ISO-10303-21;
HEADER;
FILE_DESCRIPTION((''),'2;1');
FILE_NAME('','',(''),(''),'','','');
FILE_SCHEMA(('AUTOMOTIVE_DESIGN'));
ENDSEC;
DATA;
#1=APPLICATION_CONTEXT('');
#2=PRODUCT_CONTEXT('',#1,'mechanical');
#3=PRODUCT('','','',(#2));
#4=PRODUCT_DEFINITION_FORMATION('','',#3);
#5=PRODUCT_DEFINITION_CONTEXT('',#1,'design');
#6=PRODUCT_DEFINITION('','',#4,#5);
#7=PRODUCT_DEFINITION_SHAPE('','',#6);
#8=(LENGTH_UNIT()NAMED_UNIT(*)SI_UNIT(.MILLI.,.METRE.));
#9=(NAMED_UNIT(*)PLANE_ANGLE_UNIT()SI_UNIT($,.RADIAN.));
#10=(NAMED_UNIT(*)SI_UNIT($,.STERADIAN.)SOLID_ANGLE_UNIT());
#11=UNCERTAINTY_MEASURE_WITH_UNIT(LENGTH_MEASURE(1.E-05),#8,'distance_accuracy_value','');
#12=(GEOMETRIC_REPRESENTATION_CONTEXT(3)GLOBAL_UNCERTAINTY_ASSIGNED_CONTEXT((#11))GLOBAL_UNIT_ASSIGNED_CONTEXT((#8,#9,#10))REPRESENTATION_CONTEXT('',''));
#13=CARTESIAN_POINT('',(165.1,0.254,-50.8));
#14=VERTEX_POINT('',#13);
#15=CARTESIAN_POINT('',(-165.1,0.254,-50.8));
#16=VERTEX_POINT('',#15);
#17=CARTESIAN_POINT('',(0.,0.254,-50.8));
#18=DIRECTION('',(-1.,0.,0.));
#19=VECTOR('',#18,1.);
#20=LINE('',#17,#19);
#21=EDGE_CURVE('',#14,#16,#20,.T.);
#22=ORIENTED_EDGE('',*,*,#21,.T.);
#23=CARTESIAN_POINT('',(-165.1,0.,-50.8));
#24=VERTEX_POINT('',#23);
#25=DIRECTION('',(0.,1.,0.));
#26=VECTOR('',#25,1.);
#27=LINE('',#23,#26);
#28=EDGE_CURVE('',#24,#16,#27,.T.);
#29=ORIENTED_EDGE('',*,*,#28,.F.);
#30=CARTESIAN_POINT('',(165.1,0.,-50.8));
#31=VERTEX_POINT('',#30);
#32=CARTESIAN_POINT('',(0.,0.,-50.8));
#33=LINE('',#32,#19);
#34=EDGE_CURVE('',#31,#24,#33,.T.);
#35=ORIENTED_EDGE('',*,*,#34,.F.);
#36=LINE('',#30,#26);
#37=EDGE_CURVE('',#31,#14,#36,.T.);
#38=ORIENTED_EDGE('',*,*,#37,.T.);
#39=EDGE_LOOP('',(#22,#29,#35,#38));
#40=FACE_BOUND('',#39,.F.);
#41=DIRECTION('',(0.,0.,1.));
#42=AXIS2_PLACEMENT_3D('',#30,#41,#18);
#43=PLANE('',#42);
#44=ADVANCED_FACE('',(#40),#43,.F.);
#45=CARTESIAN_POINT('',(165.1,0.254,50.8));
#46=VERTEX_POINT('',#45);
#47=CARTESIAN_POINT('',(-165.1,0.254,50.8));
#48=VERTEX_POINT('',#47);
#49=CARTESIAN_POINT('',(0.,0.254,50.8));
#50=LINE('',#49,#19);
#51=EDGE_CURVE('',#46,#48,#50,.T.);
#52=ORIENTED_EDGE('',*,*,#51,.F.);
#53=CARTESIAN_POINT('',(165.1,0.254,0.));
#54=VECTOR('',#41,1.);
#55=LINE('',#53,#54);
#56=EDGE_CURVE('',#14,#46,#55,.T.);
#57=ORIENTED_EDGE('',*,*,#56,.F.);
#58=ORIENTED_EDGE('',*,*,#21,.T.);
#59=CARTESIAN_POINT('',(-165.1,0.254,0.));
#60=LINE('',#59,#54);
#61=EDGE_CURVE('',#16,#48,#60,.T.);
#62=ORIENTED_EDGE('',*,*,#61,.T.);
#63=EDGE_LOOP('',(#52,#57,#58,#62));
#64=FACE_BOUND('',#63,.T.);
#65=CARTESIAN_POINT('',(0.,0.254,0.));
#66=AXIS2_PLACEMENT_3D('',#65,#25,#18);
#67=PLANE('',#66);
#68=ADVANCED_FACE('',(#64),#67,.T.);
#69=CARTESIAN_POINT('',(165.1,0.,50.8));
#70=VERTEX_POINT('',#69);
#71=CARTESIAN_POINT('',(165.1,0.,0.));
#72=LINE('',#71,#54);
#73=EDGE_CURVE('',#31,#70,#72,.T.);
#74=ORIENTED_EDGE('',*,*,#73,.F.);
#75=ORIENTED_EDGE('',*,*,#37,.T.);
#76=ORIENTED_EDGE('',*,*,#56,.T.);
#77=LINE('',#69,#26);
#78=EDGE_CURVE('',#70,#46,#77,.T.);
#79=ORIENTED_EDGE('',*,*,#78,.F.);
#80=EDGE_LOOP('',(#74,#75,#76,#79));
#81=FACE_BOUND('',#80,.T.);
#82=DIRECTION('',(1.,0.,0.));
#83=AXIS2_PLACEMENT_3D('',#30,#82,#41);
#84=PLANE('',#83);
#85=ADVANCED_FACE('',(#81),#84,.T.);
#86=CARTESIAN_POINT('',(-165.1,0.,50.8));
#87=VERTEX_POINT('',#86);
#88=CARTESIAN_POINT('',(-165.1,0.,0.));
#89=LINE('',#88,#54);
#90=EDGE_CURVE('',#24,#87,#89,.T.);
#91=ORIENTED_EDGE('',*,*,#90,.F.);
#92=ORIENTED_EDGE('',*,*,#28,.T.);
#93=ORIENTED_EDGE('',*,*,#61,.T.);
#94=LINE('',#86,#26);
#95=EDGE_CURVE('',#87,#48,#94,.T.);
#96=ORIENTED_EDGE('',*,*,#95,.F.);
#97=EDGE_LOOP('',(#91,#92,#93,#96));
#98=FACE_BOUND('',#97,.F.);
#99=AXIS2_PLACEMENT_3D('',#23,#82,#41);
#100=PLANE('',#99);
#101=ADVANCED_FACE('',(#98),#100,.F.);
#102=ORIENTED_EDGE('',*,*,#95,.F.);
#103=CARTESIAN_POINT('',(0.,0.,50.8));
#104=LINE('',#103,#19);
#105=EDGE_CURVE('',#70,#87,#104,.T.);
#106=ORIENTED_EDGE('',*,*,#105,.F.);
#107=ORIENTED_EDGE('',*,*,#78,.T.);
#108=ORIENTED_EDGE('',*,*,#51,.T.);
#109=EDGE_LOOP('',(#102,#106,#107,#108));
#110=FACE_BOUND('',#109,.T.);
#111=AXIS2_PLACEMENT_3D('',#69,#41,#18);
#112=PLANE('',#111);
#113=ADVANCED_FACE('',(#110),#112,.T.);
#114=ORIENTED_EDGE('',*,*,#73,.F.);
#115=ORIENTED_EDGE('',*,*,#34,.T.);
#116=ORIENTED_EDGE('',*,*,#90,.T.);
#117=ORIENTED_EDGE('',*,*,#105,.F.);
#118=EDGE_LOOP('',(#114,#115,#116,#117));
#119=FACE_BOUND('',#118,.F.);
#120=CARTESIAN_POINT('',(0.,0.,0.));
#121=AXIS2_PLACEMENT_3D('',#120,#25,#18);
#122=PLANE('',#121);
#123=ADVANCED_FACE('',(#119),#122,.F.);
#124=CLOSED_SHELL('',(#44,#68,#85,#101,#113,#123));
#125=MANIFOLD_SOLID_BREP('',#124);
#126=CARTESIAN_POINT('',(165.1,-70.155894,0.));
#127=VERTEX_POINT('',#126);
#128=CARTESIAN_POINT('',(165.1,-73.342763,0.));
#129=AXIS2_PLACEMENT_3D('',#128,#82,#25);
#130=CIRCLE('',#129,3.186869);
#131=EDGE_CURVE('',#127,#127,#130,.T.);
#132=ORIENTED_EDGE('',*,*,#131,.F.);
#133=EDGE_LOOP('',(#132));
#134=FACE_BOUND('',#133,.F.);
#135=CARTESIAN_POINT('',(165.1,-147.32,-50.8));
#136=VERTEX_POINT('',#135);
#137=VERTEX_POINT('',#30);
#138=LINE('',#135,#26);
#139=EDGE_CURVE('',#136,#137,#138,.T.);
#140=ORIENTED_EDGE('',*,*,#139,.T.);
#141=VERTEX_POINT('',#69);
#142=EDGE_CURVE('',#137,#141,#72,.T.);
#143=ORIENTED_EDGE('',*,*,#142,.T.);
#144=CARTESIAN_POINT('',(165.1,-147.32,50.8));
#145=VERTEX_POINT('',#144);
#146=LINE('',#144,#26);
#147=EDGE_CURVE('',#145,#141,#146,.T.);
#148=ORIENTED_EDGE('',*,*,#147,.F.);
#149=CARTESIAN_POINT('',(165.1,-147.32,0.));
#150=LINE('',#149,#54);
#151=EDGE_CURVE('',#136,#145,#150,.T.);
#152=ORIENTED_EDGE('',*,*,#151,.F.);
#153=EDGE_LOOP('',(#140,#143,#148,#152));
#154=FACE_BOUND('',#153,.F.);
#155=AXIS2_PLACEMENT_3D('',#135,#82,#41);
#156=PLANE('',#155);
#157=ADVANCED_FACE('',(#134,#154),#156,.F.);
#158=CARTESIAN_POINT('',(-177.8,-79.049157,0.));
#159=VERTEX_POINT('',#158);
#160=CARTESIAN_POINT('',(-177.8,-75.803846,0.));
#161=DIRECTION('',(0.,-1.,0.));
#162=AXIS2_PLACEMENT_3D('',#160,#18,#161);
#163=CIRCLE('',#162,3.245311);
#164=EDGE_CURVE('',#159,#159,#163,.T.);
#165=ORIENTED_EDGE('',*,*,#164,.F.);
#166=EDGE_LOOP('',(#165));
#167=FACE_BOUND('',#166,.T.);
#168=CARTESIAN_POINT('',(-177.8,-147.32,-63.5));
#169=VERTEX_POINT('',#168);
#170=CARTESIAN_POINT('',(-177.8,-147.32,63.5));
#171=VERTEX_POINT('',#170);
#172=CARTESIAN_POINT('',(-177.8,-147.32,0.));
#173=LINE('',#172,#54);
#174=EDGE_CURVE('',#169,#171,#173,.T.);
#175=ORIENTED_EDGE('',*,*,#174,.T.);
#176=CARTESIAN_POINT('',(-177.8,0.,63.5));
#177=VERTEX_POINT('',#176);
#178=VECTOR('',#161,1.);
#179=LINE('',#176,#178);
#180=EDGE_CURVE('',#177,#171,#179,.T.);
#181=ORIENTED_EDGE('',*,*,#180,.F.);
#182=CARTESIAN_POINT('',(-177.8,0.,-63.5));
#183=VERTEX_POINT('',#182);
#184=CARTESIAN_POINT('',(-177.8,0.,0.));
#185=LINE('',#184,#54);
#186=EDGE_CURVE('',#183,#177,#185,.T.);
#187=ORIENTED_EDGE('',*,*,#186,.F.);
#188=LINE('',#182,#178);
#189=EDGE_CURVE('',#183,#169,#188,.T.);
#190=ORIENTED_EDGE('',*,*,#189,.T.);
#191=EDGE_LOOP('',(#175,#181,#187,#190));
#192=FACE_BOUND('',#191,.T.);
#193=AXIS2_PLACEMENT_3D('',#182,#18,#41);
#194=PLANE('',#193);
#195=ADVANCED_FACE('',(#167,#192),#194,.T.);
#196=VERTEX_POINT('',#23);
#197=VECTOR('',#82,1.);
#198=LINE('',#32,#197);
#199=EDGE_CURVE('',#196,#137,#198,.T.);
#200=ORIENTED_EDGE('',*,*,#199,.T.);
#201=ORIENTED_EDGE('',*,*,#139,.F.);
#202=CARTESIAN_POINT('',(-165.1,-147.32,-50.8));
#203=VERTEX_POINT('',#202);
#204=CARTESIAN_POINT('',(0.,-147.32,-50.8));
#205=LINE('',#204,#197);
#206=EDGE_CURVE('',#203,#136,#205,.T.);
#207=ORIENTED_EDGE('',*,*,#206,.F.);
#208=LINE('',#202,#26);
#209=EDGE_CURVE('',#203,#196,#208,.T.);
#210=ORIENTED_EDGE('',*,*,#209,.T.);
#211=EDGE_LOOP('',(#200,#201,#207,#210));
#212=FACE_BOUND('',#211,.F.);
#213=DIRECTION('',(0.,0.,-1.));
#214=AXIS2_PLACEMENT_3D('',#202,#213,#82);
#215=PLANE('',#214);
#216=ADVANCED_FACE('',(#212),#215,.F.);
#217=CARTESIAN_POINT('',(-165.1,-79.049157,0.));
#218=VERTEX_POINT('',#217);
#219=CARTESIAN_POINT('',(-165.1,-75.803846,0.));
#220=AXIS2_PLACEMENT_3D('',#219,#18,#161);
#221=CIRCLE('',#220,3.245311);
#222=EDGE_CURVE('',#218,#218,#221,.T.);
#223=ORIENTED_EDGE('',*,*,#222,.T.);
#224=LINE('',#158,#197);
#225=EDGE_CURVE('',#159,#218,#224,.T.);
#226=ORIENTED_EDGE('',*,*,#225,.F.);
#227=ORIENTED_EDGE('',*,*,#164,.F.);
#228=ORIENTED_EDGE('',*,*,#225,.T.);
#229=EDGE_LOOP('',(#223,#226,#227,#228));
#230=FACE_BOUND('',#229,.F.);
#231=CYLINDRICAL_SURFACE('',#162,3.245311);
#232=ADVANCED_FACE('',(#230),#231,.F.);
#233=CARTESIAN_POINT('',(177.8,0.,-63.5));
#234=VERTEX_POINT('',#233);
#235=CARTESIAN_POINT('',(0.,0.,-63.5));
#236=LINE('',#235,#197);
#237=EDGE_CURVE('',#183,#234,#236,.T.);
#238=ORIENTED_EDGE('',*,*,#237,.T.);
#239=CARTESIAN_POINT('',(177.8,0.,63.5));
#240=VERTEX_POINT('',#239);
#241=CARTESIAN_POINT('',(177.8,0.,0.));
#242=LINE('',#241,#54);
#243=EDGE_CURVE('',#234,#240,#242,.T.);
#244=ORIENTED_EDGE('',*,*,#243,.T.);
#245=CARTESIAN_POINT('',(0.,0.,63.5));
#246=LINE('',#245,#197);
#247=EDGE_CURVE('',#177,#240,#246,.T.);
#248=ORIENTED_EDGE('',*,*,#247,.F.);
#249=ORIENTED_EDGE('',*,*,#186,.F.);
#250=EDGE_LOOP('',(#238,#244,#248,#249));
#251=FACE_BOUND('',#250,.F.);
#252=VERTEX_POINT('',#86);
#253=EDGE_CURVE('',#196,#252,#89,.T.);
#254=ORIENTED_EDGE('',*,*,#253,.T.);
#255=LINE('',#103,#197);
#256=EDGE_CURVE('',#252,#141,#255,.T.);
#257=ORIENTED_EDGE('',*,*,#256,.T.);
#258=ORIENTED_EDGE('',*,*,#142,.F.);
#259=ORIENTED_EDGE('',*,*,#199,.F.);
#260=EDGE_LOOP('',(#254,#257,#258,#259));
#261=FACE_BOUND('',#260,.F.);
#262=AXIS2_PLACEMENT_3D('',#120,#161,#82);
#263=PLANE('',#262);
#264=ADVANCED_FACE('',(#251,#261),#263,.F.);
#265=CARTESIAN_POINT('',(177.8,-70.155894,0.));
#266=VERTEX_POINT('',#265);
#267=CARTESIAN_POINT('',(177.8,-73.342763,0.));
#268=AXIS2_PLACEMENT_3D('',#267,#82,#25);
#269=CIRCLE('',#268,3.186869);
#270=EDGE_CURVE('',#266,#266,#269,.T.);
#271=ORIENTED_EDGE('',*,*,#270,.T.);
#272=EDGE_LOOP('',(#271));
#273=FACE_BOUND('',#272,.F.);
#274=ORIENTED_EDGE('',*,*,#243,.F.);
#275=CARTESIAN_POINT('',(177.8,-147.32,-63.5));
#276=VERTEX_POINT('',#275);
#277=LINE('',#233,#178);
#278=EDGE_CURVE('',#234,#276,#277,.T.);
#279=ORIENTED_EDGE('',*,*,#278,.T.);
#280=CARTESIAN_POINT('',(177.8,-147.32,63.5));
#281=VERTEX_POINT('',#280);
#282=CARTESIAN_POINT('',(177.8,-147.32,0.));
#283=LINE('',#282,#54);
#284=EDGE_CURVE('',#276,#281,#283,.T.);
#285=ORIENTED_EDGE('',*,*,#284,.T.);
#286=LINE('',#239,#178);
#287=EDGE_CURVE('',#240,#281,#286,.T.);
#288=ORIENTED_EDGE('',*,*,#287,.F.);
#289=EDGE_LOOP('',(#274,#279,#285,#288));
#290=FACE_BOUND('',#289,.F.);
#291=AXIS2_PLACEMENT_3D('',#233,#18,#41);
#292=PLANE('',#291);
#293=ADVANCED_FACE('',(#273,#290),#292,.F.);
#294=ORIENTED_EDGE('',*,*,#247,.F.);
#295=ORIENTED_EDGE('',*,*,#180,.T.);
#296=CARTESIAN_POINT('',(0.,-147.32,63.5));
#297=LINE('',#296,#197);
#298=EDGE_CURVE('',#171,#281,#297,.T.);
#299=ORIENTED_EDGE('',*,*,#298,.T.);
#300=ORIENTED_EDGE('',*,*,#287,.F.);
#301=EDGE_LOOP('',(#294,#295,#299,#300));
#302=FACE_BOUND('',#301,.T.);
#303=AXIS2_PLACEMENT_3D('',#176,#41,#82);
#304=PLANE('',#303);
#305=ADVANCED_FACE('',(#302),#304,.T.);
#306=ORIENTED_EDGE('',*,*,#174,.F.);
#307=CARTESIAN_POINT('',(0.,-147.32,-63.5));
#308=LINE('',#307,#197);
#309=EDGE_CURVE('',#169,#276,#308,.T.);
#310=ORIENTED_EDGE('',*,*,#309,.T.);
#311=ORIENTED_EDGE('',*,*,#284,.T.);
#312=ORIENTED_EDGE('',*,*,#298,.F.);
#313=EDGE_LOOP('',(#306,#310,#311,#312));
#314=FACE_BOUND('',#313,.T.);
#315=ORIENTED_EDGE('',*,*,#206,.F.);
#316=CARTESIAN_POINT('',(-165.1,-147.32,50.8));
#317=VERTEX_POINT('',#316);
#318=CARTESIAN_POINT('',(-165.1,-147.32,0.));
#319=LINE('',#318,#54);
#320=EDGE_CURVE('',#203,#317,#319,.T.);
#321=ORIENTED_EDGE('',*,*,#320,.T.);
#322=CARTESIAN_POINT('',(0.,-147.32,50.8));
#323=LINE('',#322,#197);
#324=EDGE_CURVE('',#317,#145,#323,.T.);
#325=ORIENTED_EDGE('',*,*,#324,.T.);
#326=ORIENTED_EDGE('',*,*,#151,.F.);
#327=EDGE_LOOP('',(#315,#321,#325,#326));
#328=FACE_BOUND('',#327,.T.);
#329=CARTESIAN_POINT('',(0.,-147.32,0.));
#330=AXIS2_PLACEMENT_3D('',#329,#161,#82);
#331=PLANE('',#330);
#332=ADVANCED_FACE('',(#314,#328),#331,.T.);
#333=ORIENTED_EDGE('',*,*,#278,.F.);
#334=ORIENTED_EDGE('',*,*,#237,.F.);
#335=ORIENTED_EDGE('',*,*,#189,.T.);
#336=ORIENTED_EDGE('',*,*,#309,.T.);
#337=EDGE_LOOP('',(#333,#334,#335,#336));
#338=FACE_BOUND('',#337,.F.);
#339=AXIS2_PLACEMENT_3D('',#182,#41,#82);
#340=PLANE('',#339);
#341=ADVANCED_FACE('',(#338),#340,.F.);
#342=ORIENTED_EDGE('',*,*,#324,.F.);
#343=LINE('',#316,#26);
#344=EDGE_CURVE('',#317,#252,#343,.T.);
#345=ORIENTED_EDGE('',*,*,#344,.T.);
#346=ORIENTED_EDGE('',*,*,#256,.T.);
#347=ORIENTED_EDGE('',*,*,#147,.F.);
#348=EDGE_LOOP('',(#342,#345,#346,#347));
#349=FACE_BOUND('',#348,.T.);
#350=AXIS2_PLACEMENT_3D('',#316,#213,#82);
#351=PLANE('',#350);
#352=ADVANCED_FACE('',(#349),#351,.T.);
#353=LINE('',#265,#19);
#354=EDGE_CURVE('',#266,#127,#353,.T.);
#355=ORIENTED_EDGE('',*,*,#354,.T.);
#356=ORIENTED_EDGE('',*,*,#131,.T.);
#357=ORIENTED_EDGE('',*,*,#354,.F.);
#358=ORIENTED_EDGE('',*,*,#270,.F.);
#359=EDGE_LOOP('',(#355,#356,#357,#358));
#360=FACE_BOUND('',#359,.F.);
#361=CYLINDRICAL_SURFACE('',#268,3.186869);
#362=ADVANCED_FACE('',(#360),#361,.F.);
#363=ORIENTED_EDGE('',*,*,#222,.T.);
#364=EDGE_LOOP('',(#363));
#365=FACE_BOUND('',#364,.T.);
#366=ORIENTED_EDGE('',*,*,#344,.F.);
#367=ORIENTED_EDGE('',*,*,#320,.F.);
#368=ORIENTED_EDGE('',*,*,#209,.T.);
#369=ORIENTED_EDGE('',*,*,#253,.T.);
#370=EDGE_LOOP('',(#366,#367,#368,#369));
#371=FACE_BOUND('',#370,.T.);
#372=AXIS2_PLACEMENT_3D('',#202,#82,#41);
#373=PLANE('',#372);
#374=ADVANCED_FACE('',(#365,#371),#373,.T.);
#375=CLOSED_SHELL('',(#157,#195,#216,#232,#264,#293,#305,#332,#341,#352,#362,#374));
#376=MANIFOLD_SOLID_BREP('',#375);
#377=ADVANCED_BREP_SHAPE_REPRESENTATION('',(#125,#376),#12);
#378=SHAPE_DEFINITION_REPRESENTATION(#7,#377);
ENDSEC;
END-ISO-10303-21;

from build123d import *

# Parameters (mm, degrees)
F0_W     = 355.6
F0_H     = 127
F1_DEPTH = 147.32
F2_W     = 330.2
F2_H     = 101.6
F3_DEPTH = 147.32
F4_W     = 330.2
F4_H     = 101.6
F5_DEPTH = 0.254
F6_R     = 3.245311
F7_DEPTH = 25.4
F8_R     = 3.186869
F9_DEPTH = 25.4


with BuildPart() as f1:
    # F0 (on Front) → F1 (new body)
    with BuildSketch(Plane.XZ):
        Rectangle(F0_W, F0_H)
    extrude(amount=F1_DEPTH)

    # F2 (on face) → F3 (cut, through all)
    with BuildSketch(Plane.XZ.offset(147.32)):
        Rectangle(F2_W, F2_H)
    extrude(amount=-F3_DEPTH, mode=Mode.SUBTRACT)

    # F6 (on face) → F7 (cut)
    with BuildSketch(Plane(origin=(-177.8, 0, 0), x_dir=(0, -1, 0), z_dir=(-1, 0, 0))):
        with Locations((75.803846, 0)):
            Circle(F6_R)
    extrude(amount=-F7_DEPTH, mode=Mode.SUBTRACT)

    # F8 (on face) → F9 (cut)
    with BuildSketch(Plane.YZ.offset(177.8)):
        with Locations((-73.342763, 0)):
            Circle(F8_R)
    extrude(amount=-F9_DEPTH, mode=Mode.SUBTRACT)


with BuildPart() as f5:
    # F4 (on face) → F5 (new body)
    with BuildSketch(Plane(origin=(0, 0, 0), x_dir=(-1, 0, 0), z_dir=(0, 1, 0))):
        Rectangle(F4_W, F4_H)
    extrude(amount=F5_DEPTH)


solid = Compound([f1.part, f5.part])
